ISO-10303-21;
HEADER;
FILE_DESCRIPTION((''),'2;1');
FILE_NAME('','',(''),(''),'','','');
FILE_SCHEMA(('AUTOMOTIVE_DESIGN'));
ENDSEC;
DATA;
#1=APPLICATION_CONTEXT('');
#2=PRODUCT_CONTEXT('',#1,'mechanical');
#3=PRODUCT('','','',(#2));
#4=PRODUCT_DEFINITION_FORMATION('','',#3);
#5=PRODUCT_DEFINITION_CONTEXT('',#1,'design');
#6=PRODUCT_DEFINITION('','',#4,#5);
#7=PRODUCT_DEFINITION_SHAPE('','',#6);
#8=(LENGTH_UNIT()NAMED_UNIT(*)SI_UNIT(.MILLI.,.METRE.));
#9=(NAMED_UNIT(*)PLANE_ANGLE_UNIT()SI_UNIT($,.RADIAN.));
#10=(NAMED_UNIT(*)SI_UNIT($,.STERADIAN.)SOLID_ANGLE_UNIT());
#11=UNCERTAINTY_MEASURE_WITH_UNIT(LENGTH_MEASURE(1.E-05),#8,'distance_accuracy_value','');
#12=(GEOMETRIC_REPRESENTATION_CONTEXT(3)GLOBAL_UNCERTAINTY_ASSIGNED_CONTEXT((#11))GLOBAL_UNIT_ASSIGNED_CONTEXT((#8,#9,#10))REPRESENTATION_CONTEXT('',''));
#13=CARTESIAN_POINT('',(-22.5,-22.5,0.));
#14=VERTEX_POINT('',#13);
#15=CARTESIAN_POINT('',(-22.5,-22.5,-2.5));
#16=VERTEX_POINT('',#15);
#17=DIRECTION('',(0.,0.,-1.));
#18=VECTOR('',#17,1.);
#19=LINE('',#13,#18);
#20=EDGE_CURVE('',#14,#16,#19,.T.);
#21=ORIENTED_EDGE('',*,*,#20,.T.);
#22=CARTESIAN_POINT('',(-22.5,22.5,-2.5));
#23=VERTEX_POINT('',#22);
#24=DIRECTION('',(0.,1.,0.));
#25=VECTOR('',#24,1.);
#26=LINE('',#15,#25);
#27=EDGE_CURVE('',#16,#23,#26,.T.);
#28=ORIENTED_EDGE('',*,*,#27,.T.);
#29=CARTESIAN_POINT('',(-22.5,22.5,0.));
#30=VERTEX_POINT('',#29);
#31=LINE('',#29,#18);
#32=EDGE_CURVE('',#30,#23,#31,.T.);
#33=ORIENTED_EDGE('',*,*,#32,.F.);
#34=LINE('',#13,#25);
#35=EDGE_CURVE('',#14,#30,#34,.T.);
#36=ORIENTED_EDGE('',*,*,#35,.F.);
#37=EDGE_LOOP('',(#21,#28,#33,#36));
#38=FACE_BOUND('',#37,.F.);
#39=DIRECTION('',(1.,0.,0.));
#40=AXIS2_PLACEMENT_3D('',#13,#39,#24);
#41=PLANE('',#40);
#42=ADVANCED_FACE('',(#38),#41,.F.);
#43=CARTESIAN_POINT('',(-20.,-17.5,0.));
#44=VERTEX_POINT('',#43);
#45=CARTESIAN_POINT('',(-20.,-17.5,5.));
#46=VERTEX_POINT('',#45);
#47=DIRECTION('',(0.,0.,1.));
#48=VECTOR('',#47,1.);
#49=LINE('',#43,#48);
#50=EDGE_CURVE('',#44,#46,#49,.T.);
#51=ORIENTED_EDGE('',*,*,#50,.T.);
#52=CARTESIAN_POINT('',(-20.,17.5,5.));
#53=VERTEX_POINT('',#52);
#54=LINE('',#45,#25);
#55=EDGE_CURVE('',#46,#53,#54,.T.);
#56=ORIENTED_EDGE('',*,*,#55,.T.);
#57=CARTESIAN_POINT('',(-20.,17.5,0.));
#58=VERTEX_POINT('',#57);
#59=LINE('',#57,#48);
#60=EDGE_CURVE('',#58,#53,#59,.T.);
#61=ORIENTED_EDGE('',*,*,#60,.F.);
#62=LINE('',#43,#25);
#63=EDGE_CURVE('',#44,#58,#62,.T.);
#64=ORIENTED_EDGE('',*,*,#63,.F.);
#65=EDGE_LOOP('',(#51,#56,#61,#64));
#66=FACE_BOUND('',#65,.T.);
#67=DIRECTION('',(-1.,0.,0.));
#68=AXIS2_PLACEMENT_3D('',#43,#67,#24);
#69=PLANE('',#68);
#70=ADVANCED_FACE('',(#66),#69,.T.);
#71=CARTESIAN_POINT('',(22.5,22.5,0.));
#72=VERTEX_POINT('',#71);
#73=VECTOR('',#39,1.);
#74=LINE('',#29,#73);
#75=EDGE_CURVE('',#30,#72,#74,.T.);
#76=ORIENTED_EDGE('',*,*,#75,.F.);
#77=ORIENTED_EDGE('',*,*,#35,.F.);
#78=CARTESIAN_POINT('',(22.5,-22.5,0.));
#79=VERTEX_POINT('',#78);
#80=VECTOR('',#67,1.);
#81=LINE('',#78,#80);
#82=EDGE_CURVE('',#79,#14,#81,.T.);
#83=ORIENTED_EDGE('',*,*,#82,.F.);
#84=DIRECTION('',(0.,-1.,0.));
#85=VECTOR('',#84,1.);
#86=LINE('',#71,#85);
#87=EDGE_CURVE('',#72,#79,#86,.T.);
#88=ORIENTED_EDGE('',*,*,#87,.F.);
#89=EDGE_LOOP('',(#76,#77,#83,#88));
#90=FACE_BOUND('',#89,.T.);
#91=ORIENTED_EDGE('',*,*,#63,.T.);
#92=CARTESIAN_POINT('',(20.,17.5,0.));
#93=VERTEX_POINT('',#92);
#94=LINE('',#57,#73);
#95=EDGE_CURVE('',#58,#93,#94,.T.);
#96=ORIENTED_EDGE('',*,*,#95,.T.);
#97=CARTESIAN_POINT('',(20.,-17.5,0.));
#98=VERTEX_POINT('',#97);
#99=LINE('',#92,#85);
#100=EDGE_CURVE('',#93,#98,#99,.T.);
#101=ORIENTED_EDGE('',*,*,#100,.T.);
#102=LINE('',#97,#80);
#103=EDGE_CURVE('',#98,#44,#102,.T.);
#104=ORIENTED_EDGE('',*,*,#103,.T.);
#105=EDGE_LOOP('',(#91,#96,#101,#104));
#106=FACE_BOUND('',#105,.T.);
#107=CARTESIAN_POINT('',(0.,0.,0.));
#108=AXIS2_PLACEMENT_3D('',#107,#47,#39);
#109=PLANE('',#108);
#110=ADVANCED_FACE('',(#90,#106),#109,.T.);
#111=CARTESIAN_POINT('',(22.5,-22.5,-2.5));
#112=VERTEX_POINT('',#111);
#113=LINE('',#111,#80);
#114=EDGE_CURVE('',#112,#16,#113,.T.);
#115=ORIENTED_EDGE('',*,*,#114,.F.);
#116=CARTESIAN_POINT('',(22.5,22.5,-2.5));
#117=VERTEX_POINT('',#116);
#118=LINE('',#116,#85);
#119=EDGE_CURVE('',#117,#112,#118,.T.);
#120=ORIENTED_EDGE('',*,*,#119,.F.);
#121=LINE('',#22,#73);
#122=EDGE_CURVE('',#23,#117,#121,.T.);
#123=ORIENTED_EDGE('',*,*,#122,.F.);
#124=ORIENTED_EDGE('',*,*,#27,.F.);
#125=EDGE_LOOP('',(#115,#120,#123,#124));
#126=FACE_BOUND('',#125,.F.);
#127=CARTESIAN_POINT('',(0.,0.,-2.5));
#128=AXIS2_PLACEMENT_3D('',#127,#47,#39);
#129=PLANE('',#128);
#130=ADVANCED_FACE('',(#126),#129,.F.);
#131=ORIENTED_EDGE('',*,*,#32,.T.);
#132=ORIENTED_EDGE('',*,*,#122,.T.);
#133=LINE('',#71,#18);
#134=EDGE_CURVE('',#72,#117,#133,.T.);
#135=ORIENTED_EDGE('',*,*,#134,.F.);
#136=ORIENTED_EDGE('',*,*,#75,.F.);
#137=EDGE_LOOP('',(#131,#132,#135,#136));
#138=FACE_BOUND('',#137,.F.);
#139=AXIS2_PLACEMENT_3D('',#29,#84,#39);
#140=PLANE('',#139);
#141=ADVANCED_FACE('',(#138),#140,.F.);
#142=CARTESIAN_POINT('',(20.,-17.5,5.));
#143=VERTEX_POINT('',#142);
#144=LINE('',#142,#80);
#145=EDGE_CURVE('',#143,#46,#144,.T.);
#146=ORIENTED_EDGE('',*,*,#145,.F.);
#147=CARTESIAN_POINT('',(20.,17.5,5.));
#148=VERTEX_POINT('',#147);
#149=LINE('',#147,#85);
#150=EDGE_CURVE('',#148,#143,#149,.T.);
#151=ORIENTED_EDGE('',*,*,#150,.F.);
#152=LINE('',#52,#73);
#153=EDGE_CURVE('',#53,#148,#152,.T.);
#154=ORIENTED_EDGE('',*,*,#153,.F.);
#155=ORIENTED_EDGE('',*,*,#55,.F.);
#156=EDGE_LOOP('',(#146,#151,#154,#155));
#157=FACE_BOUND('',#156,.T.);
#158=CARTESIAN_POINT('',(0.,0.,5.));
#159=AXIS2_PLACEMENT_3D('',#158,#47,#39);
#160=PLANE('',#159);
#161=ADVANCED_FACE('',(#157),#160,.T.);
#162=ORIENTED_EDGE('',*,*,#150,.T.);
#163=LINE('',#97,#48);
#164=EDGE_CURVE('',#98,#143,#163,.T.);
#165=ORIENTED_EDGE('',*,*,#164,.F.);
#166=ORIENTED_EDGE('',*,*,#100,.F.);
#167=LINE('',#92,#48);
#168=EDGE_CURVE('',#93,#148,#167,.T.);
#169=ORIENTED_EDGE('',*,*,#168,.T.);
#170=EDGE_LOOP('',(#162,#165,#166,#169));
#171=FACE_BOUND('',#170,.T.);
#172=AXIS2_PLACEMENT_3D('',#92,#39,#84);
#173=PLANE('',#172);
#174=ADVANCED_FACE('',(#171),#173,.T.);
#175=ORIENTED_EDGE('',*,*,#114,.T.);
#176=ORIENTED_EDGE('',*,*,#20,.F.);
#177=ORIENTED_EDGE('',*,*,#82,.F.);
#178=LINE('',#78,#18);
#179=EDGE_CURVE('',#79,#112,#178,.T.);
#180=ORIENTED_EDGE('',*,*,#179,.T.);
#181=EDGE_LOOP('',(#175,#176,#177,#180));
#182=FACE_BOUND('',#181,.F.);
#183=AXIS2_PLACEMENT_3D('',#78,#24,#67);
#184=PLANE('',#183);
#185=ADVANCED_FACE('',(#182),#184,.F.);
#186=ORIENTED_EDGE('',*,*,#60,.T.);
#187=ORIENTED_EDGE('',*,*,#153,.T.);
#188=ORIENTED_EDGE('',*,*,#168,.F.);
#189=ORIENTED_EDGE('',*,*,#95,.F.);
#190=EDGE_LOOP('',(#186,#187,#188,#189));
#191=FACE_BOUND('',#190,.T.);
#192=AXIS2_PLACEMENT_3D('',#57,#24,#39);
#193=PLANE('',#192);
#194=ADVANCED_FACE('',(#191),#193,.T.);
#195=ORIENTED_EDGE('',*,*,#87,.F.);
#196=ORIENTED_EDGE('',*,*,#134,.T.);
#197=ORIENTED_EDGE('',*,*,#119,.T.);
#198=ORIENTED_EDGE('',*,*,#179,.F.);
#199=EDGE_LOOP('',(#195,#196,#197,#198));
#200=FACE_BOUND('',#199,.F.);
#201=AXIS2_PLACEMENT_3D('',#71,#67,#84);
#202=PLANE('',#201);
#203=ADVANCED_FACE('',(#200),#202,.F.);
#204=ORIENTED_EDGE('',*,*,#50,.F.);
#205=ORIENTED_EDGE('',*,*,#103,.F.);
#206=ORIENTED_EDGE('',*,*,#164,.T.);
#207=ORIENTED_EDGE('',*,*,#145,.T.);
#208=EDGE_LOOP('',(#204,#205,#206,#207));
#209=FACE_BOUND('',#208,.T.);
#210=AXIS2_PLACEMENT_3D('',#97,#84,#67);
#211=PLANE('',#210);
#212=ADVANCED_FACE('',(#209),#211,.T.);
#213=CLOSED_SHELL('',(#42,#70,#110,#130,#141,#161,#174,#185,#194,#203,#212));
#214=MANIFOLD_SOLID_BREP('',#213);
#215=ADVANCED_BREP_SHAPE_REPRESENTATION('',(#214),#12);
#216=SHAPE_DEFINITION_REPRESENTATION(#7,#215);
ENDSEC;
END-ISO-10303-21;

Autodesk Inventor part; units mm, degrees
ref_plane "YZ Plane" through (0, 0, 0) normal (1, 0, 0) x (0, 1, 0)
ref_plane "XZ Plane" through (0, 0, 0) normal (0, 1, 0) x (-1, 0, 0)
ref_plane "XY Plane" through (0, 0, 0) normal (0, 0, 1) x (1, 0, 0)
sketch "Boceto1" plane through (0, 0, 0) normal (0, 0, 1) x (1, 0, 0)
  line L0 (-22.5, 22.5) -> (22.5, 22.5)
  line L1 (22.5, 22.5) -> (22.5, -22.5)
  line L2 (22.5, -22.5) -> (-22.5, -22.5)
  line L3 (-22.5, -22.5) -> (-22.5, 22.5)
  line L4 (-20, 17.5) -> (20, 17.5)
  line L5 (20, 17.5) -> (20, -17.5)
  line L6 (20, -17.5) -> (-20, -17.5)
  line L7 (-20, -17.5) -> (-20, 17.5)
  point P0 (0, 0)
  point P1 (-22.5, 0)
  point P2 (0, 22.5)
  point P3 (-20, 0)
  point P4 (0, 17.5)
  dimension "d0" = 45
  dimension "d1" = 45
  dimension "d2" = 35
  dimension "d3" = 40
extrude "Extrusión1" add sketch "Boceto1" against normal blind 2.5 contours L0 L1 L2 L3 | L4 L5 L6 L7
extrude "Extrusión2" add sketch "Boceto1" along normal blind 5 contours L4 L5 L6 L7
equation "\"d1\" = d0"
properties part number "pantalla"
